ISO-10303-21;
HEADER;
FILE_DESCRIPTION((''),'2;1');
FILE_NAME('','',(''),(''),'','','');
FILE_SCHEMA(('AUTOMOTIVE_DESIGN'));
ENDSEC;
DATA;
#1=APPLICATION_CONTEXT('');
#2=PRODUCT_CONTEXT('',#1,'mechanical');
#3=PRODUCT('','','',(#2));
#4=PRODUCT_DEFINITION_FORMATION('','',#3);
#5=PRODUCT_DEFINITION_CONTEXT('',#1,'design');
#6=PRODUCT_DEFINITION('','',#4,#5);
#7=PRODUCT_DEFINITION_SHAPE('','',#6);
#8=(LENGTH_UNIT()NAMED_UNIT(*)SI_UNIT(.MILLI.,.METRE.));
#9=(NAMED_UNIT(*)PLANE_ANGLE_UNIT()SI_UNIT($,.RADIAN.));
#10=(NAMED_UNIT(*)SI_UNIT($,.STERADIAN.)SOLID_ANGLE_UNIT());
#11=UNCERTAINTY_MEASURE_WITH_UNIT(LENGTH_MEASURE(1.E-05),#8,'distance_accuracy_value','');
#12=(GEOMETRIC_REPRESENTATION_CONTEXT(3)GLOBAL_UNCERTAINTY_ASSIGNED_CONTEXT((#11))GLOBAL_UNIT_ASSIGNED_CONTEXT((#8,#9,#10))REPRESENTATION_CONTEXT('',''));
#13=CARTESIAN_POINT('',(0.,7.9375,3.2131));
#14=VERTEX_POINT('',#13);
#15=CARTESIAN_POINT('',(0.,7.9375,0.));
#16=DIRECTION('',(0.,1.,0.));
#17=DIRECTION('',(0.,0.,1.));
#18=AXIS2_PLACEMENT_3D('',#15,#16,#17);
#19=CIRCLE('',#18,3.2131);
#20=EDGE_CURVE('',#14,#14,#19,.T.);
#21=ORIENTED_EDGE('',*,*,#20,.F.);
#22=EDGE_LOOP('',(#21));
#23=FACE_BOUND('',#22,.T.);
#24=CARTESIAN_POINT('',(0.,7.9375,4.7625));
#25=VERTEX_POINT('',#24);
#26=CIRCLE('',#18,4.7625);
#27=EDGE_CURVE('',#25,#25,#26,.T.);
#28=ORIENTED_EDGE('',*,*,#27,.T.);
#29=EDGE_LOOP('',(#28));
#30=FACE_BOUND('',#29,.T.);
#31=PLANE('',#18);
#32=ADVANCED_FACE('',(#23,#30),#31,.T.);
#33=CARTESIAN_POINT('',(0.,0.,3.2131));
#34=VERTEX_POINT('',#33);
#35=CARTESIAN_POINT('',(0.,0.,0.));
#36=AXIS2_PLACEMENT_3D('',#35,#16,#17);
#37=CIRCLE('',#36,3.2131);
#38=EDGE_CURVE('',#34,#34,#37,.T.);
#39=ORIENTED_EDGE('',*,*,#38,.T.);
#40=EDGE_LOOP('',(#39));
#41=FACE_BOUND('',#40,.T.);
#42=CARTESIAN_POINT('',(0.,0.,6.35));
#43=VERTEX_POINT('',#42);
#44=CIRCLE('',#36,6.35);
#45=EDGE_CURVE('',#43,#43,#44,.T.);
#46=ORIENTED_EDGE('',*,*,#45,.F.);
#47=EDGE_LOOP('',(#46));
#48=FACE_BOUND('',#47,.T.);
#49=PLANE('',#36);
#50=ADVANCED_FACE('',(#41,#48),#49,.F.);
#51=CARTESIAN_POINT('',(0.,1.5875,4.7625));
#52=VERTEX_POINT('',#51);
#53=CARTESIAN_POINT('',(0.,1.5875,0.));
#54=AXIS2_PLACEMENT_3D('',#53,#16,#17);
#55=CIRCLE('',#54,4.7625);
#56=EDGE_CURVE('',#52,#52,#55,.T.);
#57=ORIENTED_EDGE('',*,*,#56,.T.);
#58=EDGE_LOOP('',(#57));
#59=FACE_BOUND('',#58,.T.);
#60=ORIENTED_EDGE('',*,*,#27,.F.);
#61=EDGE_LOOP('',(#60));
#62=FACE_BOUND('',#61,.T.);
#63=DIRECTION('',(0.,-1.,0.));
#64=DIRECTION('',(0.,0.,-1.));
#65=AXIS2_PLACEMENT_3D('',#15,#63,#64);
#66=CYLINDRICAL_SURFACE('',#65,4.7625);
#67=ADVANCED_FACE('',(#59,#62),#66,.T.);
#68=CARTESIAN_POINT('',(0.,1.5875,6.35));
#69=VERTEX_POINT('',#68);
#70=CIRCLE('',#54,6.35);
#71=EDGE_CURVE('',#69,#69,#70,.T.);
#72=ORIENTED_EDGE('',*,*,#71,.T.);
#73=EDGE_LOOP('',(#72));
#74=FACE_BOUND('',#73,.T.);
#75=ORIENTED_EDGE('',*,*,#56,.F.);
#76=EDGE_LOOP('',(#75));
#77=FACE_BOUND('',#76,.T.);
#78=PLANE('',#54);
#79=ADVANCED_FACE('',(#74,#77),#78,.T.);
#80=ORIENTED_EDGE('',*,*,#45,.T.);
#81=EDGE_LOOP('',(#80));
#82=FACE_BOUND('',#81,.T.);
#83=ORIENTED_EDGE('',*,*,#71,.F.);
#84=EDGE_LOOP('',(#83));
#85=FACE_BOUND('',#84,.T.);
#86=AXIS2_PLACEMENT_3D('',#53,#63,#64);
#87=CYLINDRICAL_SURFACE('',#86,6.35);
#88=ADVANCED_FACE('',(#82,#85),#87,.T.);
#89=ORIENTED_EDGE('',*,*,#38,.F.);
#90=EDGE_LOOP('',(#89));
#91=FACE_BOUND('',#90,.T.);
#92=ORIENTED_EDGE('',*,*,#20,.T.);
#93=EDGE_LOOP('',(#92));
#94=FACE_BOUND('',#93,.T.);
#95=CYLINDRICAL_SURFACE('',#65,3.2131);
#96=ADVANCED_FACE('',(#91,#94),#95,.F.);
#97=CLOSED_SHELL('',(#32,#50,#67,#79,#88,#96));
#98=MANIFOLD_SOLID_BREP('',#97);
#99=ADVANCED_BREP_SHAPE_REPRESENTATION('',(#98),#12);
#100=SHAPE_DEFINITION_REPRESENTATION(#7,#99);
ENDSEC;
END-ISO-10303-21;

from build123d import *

# Parameters (mm, degrees)
SKETCH2_R           = 4.7625
SKETCH2_R_2         = 3.2131
BOSS_EXTRUDE1_DEPTH = 7.9375
SKETCH3_R           = 6.35
SKETCH3_R_2         = 4.7625
BOSS_EXTRUDE2_DEPTH = 1.5875


with BuildPart() as part:
    # Sketch2 → Boss-Extrude1 (new body)
    with BuildSketch(Plane(origin=(0, 0, 0), x_dir=(1, 0, 0), z_dir=(0, 1, 0))):
        with Locations(Location((0, 0, 0), (0, 0, 270))):
            Circle(SKETCH2_R)
        with Locations(Location((0, 0, 0), (0, 0, 270))):
            Circle(SKETCH2_R_2, mode=Mode.SUBTRACT)
    extrude(amount=BOSS_EXTRUDE1_DEPTH)

    # Sketch3 → Boss-Extrude2 (add)
    with BuildSketch(Plane(origin=(0, 0, 0), x_dir=(1, 0, 0), z_dir=(0, 1, 0))):
        with Locations(Location((0, 0, 0), (0, 0, 270))):
            Circle(SKETCH3_R)
        with Locations(Location((0, 0, 0), (0, 0, 270))):
            Circle(SKETCH3_R_2, mode=Mode.SUBTRACT)
    extrude(amount=BOSS_EXTRUDE2_DEPTH)


solid = part.part
